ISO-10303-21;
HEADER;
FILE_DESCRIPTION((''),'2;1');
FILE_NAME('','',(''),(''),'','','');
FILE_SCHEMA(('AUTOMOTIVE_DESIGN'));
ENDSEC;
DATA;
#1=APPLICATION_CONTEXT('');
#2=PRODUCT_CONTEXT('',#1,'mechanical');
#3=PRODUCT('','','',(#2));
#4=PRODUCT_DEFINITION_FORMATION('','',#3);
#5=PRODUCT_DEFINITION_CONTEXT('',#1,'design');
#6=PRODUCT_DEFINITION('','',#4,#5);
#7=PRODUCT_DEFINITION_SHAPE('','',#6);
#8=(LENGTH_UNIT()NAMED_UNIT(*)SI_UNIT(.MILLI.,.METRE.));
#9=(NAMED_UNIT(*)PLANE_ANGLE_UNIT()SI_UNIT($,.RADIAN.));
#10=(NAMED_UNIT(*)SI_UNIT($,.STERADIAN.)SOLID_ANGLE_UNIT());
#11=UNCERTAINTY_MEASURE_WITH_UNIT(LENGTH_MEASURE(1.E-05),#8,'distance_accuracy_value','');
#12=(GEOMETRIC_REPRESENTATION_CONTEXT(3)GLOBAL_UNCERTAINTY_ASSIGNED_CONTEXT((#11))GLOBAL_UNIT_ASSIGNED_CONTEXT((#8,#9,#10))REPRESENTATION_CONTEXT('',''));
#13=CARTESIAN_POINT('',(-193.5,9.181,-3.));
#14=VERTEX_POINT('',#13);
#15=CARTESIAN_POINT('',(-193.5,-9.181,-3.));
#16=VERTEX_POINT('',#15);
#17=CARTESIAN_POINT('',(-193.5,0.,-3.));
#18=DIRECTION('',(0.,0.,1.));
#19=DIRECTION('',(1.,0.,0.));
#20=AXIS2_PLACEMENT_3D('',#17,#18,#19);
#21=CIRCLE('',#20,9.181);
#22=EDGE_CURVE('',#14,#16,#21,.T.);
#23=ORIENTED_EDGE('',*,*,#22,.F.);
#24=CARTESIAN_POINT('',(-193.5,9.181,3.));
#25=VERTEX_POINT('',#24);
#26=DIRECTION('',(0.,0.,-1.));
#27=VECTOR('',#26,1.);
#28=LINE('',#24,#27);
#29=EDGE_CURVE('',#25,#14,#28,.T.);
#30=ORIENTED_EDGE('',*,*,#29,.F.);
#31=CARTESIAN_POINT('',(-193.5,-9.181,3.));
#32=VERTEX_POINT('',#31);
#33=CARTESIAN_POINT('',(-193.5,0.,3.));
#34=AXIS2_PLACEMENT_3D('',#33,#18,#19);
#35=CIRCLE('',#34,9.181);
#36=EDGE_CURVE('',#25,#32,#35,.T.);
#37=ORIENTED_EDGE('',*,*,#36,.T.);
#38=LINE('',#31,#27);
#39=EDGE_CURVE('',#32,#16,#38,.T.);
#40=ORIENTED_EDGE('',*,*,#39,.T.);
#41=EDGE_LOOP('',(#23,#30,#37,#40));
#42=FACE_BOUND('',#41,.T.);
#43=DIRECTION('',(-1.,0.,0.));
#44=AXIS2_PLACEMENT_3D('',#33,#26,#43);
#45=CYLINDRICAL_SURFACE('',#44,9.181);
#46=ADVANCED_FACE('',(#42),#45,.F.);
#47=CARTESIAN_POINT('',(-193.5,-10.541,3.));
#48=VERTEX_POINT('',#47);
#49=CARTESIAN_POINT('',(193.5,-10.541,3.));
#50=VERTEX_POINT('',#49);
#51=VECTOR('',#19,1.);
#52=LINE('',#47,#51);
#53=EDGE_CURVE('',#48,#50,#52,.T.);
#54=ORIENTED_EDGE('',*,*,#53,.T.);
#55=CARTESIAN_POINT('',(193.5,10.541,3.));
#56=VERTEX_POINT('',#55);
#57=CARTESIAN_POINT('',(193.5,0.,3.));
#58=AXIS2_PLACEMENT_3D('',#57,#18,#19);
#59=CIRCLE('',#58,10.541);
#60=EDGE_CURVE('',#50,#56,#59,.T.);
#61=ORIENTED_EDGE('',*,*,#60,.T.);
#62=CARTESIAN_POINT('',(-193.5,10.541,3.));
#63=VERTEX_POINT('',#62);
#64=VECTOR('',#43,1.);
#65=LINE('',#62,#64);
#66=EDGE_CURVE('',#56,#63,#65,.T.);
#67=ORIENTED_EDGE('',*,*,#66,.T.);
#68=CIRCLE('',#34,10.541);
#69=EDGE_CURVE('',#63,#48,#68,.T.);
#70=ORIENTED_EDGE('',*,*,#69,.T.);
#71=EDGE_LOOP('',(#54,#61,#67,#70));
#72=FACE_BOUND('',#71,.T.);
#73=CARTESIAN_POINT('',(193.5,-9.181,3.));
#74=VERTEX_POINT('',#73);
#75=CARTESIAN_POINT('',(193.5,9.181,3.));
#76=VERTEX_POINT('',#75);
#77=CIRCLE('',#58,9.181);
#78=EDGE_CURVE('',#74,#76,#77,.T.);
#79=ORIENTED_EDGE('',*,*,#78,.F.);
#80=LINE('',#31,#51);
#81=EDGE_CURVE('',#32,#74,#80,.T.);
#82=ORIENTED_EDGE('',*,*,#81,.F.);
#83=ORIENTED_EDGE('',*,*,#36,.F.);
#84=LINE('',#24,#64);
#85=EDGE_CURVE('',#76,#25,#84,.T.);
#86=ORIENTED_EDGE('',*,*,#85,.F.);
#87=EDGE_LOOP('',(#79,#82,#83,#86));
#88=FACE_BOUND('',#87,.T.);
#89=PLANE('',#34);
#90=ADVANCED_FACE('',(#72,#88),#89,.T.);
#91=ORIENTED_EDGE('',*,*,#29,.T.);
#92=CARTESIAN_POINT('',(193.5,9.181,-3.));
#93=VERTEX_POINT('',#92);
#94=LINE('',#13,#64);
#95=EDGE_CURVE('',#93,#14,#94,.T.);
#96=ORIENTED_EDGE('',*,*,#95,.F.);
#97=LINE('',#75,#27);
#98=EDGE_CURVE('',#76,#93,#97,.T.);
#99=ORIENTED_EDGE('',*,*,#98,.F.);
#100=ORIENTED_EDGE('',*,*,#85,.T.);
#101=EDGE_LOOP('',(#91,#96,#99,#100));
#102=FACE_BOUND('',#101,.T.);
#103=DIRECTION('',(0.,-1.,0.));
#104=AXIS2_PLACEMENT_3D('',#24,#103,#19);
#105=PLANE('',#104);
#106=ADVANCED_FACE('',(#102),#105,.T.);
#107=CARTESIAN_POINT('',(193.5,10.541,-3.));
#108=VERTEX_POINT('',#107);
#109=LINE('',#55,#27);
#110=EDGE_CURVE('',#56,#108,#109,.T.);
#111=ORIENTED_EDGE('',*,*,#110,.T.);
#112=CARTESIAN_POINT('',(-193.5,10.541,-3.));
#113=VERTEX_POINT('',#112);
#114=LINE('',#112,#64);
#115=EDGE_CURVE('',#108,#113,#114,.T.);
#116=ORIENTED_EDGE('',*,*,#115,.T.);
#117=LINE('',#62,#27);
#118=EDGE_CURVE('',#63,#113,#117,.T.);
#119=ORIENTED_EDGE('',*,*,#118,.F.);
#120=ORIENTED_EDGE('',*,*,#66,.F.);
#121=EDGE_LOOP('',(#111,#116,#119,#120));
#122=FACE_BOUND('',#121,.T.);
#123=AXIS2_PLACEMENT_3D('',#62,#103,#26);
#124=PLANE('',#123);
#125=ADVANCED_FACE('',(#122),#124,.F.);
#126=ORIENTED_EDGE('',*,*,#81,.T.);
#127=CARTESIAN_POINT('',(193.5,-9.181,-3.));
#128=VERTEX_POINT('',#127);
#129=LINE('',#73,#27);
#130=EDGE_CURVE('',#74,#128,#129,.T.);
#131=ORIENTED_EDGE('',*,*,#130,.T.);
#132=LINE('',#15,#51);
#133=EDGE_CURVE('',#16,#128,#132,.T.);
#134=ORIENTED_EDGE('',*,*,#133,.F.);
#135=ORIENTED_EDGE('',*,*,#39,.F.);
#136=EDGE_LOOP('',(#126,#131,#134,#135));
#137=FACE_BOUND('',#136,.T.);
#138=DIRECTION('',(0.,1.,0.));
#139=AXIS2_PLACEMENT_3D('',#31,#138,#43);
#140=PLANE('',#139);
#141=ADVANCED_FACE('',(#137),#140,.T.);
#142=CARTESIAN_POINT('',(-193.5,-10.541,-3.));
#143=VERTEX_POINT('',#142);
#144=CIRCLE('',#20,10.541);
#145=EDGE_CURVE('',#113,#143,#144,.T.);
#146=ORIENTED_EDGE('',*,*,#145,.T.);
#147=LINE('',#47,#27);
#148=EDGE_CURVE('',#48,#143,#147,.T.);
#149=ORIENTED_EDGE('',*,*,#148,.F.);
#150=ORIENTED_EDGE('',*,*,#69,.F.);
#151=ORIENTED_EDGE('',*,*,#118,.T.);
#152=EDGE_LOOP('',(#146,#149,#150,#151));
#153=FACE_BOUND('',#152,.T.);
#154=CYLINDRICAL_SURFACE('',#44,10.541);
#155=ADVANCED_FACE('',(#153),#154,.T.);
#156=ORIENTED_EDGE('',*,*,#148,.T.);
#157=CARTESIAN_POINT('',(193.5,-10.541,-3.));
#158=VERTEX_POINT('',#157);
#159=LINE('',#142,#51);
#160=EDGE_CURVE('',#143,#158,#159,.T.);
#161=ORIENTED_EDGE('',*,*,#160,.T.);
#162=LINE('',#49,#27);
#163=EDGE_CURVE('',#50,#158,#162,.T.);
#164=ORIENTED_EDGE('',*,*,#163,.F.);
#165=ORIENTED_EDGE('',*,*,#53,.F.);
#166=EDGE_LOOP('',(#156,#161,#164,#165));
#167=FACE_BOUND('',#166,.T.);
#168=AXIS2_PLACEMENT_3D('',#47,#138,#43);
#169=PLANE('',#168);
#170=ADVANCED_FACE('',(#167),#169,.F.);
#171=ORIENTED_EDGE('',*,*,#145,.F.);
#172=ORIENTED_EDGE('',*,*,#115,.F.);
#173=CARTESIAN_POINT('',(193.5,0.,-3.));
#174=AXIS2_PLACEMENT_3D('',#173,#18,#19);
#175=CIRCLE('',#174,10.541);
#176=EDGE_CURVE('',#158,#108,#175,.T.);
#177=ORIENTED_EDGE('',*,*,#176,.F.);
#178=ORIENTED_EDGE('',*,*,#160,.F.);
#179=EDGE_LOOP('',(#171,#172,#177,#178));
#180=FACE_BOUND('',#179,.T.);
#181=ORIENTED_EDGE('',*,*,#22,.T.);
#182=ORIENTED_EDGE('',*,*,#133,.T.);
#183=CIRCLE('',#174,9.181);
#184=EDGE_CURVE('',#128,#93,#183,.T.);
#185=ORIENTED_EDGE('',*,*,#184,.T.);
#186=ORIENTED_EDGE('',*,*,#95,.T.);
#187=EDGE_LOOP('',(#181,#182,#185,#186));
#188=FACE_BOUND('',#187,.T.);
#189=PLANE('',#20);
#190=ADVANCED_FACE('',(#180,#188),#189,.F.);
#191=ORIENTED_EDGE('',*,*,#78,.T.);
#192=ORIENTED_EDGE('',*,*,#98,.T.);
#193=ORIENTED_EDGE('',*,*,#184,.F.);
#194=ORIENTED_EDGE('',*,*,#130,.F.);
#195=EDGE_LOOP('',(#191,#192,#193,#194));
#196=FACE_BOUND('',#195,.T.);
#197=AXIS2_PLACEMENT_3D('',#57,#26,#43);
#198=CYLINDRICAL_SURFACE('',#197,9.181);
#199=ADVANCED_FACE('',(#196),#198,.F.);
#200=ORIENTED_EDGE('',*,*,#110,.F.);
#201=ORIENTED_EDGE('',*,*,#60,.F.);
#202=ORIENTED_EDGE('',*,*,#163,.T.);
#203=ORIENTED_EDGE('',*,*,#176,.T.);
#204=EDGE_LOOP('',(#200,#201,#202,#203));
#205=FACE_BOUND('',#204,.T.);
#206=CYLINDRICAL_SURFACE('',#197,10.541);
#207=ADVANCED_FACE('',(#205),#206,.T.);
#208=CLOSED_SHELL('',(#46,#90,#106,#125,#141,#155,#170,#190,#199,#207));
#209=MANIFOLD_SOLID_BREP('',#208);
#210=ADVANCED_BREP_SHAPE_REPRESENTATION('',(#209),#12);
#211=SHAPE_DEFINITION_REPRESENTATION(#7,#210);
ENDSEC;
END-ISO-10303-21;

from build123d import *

# Parameters (mm, degrees)
BOSS_EXTRUDE1_DEPTH = 3


with BuildPart() as part:
    # Sketch2 → Boss-Extrude1 (new, symmetric)
    with BuildSketch(Plane.XY):
        with BuildLine():
            Line((-193.5, 10.541), (193.5, 10.541))
            ThreePointArc((193.5, 10.541), (204.041, 0), (193.5, -10.541))
            Line((193.5, -10.541), (-193.5, -10.541))
            ThreePointArc((-193.5, -10.541), (-204.041, 0), (-193.5, 10.541))
        make_face()
        with BuildLine():
            Line((-193.5, 9.181), (193.5, 9.181))
            ThreePointArc((193.5, 9.181), (202.681, 0), (193.5, -9.181))
            Line((193.5, -9.181), (-193.5, -9.181))
            ThreePointArc((-193.5, -9.181), (-202.681, 0), (-193.5, 9.181))
        make_face(mode=Mode.SUBTRACT)
    extrude(amount=BOSS_EXTRUDE1_DEPTH, both=True)


solid = part.part
